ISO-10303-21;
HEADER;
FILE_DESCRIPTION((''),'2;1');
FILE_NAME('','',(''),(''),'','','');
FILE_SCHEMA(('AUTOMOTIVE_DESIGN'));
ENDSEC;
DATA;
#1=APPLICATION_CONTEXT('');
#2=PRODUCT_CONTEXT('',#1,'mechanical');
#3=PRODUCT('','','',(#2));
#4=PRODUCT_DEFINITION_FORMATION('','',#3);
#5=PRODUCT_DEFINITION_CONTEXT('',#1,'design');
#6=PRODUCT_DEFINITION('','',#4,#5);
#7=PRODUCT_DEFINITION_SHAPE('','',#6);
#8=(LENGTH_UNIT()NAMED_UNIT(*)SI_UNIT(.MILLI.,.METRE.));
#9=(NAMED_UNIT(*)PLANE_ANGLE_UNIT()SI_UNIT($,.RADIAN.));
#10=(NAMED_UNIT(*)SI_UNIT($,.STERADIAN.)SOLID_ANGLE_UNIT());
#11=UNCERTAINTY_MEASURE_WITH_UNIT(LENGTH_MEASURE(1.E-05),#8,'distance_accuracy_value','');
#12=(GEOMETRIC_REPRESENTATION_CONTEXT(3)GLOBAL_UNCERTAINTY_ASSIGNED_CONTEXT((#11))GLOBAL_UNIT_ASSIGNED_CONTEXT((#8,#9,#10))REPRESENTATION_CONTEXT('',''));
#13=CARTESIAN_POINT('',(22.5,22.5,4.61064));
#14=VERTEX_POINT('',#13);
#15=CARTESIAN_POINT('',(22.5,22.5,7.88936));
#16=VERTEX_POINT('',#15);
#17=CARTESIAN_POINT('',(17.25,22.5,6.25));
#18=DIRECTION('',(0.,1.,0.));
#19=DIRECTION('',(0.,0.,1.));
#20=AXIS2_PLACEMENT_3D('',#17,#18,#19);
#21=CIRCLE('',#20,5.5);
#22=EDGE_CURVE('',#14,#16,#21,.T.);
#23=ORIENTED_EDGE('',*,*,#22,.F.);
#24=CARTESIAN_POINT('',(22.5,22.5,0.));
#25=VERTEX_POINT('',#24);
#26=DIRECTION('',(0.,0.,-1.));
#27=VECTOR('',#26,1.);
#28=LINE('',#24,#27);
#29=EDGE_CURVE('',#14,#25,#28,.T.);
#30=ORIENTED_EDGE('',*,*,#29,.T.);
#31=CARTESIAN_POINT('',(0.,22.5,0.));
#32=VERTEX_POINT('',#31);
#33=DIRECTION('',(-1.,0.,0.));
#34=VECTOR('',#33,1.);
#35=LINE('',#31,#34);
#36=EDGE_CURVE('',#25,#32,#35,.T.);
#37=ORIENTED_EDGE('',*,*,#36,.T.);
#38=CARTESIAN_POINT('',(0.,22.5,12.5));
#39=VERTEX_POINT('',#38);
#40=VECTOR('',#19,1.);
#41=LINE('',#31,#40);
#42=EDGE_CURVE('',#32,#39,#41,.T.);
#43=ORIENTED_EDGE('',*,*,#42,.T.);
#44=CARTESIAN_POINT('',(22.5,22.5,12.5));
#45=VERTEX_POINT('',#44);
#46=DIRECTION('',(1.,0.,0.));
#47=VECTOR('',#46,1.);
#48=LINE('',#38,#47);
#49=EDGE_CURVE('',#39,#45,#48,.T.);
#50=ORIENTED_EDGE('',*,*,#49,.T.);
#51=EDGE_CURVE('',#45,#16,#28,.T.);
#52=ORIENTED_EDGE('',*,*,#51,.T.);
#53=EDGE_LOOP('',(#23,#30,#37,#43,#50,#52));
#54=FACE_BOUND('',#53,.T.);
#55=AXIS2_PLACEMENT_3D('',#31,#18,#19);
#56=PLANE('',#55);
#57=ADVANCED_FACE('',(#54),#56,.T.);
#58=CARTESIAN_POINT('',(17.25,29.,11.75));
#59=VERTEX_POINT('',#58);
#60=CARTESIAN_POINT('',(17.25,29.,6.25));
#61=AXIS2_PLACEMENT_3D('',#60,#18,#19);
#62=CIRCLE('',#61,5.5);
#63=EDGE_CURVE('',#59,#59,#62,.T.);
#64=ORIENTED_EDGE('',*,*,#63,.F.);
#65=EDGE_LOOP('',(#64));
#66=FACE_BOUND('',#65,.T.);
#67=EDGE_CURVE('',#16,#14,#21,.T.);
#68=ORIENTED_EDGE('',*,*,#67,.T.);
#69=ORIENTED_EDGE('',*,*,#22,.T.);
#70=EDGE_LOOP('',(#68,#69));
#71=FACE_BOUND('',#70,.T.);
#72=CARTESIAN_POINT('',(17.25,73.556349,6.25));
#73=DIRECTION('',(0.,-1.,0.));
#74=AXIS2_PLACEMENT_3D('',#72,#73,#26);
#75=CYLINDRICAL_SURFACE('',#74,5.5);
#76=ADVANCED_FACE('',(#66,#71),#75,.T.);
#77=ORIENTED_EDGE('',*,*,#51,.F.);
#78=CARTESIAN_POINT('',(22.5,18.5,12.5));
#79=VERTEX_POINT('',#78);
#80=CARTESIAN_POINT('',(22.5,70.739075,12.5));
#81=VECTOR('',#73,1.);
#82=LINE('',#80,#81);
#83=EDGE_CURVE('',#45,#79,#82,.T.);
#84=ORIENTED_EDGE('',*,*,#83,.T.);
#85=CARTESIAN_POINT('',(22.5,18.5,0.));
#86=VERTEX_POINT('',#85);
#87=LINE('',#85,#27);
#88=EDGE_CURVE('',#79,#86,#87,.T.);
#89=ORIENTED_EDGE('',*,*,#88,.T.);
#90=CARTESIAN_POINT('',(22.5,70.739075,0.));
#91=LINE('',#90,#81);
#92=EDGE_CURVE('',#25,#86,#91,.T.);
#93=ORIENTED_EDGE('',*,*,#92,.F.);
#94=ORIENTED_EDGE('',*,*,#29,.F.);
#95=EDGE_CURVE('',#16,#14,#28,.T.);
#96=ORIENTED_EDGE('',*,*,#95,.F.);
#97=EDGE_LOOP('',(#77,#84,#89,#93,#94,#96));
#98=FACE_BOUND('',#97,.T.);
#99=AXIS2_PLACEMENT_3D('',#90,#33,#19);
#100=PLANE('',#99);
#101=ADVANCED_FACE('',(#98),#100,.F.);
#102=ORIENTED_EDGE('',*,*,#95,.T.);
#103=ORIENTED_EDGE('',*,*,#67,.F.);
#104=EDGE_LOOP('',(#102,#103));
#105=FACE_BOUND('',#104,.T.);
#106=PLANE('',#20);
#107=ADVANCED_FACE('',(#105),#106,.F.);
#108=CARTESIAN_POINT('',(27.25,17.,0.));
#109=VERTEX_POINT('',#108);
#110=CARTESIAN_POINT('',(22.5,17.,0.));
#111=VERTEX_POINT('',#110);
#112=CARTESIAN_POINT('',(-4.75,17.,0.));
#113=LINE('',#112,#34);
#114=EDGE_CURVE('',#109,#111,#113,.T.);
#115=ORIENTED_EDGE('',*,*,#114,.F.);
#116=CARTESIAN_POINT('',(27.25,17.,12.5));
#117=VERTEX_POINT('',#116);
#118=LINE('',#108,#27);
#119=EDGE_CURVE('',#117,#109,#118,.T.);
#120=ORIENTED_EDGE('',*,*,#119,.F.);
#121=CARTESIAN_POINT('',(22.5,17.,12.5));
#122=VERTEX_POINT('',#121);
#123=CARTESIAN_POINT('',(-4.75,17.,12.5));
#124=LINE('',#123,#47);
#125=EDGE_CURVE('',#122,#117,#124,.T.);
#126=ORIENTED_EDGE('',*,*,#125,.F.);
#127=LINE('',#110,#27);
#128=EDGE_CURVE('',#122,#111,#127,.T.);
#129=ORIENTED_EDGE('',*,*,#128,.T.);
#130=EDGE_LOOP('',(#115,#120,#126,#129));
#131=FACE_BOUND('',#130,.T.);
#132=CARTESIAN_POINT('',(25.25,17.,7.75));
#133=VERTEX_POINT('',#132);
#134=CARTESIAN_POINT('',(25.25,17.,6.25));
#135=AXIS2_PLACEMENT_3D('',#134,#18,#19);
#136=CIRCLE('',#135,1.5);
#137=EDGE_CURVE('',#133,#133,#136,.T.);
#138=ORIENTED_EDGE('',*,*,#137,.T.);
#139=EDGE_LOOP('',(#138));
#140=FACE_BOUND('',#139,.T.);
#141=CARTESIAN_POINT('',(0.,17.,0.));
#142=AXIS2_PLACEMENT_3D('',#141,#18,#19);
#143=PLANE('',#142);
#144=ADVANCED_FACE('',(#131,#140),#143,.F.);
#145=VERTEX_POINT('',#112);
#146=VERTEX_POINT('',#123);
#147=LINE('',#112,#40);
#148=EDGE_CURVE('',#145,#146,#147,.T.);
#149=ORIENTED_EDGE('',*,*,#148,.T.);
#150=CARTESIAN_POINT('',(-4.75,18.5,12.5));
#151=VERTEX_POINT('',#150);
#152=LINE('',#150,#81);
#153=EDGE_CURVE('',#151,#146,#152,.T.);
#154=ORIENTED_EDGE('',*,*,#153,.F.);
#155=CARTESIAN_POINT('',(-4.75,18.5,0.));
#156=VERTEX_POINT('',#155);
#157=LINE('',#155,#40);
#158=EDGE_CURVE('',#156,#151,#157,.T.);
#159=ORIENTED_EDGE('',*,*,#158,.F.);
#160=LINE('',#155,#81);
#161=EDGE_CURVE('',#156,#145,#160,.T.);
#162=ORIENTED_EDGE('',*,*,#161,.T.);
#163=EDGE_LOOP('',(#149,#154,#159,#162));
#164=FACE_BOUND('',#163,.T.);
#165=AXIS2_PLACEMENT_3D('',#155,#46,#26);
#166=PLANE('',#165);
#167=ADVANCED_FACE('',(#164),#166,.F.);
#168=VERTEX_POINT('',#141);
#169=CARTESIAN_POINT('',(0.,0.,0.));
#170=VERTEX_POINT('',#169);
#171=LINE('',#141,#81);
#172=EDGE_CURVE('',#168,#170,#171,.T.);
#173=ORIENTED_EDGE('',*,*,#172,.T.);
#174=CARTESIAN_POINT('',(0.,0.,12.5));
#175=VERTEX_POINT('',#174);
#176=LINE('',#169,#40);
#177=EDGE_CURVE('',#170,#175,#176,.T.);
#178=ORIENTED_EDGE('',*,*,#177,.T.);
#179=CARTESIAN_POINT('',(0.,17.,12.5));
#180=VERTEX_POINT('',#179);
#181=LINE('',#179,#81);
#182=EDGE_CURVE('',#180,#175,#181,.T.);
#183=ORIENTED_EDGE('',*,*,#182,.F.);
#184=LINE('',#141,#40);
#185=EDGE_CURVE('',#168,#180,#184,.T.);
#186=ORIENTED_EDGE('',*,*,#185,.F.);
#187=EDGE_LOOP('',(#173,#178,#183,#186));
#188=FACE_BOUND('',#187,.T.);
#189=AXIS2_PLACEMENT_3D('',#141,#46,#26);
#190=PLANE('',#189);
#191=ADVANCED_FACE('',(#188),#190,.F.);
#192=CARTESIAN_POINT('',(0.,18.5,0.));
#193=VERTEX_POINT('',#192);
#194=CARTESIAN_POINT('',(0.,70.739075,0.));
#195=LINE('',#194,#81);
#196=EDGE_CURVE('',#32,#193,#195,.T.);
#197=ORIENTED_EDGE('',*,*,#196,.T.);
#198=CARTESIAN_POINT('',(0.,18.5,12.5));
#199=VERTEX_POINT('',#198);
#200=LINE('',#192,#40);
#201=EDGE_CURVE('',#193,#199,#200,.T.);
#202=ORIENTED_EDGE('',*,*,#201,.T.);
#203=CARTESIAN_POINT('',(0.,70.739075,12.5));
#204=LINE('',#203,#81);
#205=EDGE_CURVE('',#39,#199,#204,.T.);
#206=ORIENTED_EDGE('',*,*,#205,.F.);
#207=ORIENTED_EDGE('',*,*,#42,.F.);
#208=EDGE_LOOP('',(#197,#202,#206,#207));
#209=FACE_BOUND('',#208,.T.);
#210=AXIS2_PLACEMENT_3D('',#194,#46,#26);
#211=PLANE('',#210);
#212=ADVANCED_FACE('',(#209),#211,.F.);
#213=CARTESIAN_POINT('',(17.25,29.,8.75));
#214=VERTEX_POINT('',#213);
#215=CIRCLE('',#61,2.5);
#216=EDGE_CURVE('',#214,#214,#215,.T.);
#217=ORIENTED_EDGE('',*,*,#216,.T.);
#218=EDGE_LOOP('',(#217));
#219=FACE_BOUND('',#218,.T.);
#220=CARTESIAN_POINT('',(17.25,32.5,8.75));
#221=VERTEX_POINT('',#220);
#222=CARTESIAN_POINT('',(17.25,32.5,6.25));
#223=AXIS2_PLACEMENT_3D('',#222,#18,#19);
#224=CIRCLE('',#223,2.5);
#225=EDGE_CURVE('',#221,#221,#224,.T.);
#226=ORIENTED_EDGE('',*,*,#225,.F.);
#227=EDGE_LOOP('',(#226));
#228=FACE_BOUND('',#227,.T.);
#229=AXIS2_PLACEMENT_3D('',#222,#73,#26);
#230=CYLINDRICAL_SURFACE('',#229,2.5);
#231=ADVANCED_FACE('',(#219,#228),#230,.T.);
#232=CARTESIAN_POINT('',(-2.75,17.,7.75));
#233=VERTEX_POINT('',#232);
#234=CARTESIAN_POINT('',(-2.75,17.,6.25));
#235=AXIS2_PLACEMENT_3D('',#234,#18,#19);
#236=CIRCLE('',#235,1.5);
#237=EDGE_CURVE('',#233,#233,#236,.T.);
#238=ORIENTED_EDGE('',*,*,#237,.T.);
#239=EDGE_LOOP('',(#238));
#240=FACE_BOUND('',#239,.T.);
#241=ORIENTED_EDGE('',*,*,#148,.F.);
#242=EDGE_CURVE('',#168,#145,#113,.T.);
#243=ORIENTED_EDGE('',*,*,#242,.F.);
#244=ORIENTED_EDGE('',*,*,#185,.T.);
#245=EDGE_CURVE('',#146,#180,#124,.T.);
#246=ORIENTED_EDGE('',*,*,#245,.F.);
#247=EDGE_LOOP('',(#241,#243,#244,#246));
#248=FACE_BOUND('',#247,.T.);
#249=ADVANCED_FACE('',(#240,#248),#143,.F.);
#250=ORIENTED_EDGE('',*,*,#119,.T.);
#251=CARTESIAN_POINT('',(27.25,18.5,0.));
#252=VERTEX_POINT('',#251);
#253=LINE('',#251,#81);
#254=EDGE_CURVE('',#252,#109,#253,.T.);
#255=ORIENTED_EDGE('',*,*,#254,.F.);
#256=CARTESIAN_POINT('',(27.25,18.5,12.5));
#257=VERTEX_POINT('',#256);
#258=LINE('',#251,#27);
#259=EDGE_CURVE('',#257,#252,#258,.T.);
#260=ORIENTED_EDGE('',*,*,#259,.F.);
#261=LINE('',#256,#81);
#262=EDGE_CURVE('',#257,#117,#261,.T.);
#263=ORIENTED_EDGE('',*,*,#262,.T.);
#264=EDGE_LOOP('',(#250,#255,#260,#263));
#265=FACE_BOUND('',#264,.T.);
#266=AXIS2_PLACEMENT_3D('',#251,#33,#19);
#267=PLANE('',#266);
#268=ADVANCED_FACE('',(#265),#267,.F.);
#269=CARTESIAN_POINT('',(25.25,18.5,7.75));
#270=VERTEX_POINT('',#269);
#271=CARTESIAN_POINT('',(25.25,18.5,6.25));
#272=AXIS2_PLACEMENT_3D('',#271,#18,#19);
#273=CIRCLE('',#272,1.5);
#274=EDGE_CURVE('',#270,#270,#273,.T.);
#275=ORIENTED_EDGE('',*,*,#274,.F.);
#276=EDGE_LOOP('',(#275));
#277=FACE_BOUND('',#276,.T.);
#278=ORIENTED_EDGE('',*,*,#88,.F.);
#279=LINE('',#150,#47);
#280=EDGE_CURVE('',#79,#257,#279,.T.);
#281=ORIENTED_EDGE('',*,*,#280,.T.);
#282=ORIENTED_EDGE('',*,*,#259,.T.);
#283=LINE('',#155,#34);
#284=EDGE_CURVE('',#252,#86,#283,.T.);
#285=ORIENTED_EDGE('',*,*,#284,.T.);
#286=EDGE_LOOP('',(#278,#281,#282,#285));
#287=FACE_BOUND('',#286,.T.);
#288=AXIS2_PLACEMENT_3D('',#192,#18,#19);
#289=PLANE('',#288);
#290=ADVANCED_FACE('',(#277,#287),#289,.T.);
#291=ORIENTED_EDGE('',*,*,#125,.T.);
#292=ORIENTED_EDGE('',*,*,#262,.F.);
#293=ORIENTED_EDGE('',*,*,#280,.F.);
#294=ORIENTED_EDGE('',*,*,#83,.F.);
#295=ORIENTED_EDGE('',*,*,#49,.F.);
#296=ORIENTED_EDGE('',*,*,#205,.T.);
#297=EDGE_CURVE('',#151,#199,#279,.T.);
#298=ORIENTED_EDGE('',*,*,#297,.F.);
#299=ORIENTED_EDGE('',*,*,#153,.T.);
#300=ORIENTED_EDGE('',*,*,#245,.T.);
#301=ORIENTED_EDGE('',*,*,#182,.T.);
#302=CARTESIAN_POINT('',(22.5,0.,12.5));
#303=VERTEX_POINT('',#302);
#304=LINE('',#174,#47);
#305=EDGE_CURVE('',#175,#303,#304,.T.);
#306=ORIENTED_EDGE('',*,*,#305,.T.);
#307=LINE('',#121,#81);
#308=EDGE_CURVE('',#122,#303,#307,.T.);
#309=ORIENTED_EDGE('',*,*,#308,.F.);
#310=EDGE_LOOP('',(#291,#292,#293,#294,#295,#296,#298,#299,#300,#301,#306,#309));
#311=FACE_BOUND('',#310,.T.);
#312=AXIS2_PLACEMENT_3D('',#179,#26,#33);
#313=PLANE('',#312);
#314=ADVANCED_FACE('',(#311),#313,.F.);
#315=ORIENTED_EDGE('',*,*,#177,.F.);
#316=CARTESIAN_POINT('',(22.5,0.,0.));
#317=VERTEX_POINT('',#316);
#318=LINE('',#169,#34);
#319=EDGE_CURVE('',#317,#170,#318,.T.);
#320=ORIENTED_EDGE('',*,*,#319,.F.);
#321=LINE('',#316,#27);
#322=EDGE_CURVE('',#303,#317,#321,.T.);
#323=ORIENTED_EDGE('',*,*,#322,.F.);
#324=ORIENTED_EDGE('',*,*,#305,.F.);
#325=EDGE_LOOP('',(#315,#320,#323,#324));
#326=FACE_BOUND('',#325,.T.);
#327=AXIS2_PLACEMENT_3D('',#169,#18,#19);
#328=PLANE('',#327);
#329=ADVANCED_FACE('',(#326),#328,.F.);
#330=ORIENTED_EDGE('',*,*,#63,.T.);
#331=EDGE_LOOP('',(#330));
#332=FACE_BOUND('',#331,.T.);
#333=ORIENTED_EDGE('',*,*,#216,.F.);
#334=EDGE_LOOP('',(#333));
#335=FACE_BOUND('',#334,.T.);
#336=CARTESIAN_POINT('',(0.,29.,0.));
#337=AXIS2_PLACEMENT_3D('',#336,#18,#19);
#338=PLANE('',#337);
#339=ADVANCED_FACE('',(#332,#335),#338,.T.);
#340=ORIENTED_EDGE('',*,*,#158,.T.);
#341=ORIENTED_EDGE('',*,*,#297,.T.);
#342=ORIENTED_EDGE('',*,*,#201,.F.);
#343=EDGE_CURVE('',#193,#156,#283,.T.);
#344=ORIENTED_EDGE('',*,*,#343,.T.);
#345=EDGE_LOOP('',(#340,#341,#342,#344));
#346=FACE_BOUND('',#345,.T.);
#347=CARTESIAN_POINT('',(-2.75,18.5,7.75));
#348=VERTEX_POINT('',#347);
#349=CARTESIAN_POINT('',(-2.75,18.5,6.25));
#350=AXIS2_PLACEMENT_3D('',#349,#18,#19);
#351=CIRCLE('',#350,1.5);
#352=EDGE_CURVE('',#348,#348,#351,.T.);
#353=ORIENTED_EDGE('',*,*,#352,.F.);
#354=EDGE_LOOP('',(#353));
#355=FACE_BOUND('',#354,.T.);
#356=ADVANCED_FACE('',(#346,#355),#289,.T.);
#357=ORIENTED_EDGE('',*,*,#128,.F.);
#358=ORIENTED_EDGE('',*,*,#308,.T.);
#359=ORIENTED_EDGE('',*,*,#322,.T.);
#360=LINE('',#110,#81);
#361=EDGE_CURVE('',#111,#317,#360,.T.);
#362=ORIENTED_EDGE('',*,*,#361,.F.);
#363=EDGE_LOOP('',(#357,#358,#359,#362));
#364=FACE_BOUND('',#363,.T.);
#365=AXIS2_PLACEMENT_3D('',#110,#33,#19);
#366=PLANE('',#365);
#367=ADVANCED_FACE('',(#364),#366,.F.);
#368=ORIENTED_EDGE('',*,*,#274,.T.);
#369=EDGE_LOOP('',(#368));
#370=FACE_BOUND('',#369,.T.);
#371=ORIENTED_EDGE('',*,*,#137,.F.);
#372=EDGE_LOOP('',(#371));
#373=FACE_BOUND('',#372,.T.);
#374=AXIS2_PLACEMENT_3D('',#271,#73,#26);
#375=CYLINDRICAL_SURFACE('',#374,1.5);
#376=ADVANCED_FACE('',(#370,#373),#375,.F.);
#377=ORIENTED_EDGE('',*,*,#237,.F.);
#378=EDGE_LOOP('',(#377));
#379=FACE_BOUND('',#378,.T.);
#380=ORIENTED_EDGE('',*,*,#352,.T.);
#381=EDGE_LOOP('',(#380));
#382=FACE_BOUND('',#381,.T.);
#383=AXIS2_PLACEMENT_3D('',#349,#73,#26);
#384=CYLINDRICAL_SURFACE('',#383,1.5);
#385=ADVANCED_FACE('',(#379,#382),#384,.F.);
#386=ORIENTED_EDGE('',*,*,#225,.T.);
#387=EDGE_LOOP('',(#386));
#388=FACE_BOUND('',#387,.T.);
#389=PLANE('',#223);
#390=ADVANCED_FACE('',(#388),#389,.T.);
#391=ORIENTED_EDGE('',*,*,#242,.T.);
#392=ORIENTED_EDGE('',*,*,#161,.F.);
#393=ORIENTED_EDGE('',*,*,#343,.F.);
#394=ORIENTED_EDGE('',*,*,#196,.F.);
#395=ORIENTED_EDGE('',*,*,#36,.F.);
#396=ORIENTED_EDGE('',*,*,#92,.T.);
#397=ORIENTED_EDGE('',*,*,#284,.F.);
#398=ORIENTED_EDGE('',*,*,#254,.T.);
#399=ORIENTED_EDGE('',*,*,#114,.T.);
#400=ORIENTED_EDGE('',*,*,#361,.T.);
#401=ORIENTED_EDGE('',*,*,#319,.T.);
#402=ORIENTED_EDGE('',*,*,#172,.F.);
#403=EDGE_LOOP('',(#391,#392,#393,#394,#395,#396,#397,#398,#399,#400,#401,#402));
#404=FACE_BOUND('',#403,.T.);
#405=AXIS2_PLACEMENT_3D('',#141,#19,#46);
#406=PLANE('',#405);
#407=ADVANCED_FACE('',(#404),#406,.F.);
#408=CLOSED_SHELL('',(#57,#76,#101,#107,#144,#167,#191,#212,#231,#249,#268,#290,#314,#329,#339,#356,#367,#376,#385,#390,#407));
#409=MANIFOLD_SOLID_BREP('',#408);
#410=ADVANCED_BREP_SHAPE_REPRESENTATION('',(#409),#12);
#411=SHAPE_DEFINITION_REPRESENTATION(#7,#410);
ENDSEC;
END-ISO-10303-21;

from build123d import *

# Parameters (mm, degrees)
SKETCH_1_W      = 22.5
SKETCH_1_H      = 12.5
EXTRUDE_1_DEPTH = 17
SKETCH_2_W      = 32
SKETCH_2_H      = 12.5
SKETCH_2_R      = 1.5
EXTRUDE_2_DEPTH = 1.5
SKETCH_3_W      = 22.5
SKETCH_3_H      = 12.5
EXTRUDE_3_DEPTH = 4
SKETCH_4_R      = 5.5
EXTRUDE_4_DEPTH = 6.5
SKETCH_5_R      = 2.5
EXTRUDE_5_DEPTH = 3.5


with BuildPart() as part:
    # 草图1 → 凸台-拉伸1 (new body)
    with BuildSketch(Plane(origin=(0, 0, 0), x_dir=(1, 0, 0), z_dir=(0, 1, 0))):
        with Locations((11.25, -6.25)):
            Rectangle(SKETCH_1_W, SKETCH_1_H)
    extrude(amount=EXTRUDE_1_DEPTH)

    # 草图2 → 凸台-拉伸2 (add)
    with BuildSketch(Plane(origin=(0, 17, 0), x_dir=(1, 0, 0), z_dir=(0, 1, 0))):
        with Locations((11.25, -6.25)):
            Rectangle(SKETCH_2_W, SKETCH_2_H)
        with Locations(Location((-2.75, -6.25, 0), (0, 0, 270))):
            Circle(SKETCH_2_R, mode=Mode.SUBTRACT)
        with Locations(Location((25.25, -6.25, 0), (0, 0, 270))):
            Circle(SKETCH_2_R, mode=Mode.SUBTRACT)
    extrude(amount=EXTRUDE_2_DEPTH)

    # 草图3 → 凸台-拉伸3 (add)
    with BuildSketch(Plane(origin=(0, 18.5, 0), x_dir=(1, 0, 0), z_dir=(0, 1, 0))):
        with Locations((11.25, -6.25)):
            Rectangle(SKETCH_3_W, SKETCH_3_H)
    extrude(amount=EXTRUDE_3_DEPTH)

    # 草图4 → 凸台-拉伸4 (add)
    with BuildSketch(Plane(origin=(0, 22.5, 0), x_dir=(1, 0, 0), z_dir=(0, 1, 0))):
        with Locations(Location((17.25, -6.25, 0), (0, 0, 17.341442803))):
            Circle(SKETCH_4_R)
    extrude(amount=EXTRUDE_4_DEPTH)

    # 草图5 → 凸台-拉伸5 (add)
    with BuildSketch(Plane(origin=(0, 29, 0), x_dir=(1, 0, 0), z_dir=(0, 1, 0))):
        with Locations(Location((17.25, -6.25, 0), (0, 0, 270))):
            Circle(SKETCH_5_R)
    extrude(amount=EXTRUDE_5_DEPTH)


solid = part.part
